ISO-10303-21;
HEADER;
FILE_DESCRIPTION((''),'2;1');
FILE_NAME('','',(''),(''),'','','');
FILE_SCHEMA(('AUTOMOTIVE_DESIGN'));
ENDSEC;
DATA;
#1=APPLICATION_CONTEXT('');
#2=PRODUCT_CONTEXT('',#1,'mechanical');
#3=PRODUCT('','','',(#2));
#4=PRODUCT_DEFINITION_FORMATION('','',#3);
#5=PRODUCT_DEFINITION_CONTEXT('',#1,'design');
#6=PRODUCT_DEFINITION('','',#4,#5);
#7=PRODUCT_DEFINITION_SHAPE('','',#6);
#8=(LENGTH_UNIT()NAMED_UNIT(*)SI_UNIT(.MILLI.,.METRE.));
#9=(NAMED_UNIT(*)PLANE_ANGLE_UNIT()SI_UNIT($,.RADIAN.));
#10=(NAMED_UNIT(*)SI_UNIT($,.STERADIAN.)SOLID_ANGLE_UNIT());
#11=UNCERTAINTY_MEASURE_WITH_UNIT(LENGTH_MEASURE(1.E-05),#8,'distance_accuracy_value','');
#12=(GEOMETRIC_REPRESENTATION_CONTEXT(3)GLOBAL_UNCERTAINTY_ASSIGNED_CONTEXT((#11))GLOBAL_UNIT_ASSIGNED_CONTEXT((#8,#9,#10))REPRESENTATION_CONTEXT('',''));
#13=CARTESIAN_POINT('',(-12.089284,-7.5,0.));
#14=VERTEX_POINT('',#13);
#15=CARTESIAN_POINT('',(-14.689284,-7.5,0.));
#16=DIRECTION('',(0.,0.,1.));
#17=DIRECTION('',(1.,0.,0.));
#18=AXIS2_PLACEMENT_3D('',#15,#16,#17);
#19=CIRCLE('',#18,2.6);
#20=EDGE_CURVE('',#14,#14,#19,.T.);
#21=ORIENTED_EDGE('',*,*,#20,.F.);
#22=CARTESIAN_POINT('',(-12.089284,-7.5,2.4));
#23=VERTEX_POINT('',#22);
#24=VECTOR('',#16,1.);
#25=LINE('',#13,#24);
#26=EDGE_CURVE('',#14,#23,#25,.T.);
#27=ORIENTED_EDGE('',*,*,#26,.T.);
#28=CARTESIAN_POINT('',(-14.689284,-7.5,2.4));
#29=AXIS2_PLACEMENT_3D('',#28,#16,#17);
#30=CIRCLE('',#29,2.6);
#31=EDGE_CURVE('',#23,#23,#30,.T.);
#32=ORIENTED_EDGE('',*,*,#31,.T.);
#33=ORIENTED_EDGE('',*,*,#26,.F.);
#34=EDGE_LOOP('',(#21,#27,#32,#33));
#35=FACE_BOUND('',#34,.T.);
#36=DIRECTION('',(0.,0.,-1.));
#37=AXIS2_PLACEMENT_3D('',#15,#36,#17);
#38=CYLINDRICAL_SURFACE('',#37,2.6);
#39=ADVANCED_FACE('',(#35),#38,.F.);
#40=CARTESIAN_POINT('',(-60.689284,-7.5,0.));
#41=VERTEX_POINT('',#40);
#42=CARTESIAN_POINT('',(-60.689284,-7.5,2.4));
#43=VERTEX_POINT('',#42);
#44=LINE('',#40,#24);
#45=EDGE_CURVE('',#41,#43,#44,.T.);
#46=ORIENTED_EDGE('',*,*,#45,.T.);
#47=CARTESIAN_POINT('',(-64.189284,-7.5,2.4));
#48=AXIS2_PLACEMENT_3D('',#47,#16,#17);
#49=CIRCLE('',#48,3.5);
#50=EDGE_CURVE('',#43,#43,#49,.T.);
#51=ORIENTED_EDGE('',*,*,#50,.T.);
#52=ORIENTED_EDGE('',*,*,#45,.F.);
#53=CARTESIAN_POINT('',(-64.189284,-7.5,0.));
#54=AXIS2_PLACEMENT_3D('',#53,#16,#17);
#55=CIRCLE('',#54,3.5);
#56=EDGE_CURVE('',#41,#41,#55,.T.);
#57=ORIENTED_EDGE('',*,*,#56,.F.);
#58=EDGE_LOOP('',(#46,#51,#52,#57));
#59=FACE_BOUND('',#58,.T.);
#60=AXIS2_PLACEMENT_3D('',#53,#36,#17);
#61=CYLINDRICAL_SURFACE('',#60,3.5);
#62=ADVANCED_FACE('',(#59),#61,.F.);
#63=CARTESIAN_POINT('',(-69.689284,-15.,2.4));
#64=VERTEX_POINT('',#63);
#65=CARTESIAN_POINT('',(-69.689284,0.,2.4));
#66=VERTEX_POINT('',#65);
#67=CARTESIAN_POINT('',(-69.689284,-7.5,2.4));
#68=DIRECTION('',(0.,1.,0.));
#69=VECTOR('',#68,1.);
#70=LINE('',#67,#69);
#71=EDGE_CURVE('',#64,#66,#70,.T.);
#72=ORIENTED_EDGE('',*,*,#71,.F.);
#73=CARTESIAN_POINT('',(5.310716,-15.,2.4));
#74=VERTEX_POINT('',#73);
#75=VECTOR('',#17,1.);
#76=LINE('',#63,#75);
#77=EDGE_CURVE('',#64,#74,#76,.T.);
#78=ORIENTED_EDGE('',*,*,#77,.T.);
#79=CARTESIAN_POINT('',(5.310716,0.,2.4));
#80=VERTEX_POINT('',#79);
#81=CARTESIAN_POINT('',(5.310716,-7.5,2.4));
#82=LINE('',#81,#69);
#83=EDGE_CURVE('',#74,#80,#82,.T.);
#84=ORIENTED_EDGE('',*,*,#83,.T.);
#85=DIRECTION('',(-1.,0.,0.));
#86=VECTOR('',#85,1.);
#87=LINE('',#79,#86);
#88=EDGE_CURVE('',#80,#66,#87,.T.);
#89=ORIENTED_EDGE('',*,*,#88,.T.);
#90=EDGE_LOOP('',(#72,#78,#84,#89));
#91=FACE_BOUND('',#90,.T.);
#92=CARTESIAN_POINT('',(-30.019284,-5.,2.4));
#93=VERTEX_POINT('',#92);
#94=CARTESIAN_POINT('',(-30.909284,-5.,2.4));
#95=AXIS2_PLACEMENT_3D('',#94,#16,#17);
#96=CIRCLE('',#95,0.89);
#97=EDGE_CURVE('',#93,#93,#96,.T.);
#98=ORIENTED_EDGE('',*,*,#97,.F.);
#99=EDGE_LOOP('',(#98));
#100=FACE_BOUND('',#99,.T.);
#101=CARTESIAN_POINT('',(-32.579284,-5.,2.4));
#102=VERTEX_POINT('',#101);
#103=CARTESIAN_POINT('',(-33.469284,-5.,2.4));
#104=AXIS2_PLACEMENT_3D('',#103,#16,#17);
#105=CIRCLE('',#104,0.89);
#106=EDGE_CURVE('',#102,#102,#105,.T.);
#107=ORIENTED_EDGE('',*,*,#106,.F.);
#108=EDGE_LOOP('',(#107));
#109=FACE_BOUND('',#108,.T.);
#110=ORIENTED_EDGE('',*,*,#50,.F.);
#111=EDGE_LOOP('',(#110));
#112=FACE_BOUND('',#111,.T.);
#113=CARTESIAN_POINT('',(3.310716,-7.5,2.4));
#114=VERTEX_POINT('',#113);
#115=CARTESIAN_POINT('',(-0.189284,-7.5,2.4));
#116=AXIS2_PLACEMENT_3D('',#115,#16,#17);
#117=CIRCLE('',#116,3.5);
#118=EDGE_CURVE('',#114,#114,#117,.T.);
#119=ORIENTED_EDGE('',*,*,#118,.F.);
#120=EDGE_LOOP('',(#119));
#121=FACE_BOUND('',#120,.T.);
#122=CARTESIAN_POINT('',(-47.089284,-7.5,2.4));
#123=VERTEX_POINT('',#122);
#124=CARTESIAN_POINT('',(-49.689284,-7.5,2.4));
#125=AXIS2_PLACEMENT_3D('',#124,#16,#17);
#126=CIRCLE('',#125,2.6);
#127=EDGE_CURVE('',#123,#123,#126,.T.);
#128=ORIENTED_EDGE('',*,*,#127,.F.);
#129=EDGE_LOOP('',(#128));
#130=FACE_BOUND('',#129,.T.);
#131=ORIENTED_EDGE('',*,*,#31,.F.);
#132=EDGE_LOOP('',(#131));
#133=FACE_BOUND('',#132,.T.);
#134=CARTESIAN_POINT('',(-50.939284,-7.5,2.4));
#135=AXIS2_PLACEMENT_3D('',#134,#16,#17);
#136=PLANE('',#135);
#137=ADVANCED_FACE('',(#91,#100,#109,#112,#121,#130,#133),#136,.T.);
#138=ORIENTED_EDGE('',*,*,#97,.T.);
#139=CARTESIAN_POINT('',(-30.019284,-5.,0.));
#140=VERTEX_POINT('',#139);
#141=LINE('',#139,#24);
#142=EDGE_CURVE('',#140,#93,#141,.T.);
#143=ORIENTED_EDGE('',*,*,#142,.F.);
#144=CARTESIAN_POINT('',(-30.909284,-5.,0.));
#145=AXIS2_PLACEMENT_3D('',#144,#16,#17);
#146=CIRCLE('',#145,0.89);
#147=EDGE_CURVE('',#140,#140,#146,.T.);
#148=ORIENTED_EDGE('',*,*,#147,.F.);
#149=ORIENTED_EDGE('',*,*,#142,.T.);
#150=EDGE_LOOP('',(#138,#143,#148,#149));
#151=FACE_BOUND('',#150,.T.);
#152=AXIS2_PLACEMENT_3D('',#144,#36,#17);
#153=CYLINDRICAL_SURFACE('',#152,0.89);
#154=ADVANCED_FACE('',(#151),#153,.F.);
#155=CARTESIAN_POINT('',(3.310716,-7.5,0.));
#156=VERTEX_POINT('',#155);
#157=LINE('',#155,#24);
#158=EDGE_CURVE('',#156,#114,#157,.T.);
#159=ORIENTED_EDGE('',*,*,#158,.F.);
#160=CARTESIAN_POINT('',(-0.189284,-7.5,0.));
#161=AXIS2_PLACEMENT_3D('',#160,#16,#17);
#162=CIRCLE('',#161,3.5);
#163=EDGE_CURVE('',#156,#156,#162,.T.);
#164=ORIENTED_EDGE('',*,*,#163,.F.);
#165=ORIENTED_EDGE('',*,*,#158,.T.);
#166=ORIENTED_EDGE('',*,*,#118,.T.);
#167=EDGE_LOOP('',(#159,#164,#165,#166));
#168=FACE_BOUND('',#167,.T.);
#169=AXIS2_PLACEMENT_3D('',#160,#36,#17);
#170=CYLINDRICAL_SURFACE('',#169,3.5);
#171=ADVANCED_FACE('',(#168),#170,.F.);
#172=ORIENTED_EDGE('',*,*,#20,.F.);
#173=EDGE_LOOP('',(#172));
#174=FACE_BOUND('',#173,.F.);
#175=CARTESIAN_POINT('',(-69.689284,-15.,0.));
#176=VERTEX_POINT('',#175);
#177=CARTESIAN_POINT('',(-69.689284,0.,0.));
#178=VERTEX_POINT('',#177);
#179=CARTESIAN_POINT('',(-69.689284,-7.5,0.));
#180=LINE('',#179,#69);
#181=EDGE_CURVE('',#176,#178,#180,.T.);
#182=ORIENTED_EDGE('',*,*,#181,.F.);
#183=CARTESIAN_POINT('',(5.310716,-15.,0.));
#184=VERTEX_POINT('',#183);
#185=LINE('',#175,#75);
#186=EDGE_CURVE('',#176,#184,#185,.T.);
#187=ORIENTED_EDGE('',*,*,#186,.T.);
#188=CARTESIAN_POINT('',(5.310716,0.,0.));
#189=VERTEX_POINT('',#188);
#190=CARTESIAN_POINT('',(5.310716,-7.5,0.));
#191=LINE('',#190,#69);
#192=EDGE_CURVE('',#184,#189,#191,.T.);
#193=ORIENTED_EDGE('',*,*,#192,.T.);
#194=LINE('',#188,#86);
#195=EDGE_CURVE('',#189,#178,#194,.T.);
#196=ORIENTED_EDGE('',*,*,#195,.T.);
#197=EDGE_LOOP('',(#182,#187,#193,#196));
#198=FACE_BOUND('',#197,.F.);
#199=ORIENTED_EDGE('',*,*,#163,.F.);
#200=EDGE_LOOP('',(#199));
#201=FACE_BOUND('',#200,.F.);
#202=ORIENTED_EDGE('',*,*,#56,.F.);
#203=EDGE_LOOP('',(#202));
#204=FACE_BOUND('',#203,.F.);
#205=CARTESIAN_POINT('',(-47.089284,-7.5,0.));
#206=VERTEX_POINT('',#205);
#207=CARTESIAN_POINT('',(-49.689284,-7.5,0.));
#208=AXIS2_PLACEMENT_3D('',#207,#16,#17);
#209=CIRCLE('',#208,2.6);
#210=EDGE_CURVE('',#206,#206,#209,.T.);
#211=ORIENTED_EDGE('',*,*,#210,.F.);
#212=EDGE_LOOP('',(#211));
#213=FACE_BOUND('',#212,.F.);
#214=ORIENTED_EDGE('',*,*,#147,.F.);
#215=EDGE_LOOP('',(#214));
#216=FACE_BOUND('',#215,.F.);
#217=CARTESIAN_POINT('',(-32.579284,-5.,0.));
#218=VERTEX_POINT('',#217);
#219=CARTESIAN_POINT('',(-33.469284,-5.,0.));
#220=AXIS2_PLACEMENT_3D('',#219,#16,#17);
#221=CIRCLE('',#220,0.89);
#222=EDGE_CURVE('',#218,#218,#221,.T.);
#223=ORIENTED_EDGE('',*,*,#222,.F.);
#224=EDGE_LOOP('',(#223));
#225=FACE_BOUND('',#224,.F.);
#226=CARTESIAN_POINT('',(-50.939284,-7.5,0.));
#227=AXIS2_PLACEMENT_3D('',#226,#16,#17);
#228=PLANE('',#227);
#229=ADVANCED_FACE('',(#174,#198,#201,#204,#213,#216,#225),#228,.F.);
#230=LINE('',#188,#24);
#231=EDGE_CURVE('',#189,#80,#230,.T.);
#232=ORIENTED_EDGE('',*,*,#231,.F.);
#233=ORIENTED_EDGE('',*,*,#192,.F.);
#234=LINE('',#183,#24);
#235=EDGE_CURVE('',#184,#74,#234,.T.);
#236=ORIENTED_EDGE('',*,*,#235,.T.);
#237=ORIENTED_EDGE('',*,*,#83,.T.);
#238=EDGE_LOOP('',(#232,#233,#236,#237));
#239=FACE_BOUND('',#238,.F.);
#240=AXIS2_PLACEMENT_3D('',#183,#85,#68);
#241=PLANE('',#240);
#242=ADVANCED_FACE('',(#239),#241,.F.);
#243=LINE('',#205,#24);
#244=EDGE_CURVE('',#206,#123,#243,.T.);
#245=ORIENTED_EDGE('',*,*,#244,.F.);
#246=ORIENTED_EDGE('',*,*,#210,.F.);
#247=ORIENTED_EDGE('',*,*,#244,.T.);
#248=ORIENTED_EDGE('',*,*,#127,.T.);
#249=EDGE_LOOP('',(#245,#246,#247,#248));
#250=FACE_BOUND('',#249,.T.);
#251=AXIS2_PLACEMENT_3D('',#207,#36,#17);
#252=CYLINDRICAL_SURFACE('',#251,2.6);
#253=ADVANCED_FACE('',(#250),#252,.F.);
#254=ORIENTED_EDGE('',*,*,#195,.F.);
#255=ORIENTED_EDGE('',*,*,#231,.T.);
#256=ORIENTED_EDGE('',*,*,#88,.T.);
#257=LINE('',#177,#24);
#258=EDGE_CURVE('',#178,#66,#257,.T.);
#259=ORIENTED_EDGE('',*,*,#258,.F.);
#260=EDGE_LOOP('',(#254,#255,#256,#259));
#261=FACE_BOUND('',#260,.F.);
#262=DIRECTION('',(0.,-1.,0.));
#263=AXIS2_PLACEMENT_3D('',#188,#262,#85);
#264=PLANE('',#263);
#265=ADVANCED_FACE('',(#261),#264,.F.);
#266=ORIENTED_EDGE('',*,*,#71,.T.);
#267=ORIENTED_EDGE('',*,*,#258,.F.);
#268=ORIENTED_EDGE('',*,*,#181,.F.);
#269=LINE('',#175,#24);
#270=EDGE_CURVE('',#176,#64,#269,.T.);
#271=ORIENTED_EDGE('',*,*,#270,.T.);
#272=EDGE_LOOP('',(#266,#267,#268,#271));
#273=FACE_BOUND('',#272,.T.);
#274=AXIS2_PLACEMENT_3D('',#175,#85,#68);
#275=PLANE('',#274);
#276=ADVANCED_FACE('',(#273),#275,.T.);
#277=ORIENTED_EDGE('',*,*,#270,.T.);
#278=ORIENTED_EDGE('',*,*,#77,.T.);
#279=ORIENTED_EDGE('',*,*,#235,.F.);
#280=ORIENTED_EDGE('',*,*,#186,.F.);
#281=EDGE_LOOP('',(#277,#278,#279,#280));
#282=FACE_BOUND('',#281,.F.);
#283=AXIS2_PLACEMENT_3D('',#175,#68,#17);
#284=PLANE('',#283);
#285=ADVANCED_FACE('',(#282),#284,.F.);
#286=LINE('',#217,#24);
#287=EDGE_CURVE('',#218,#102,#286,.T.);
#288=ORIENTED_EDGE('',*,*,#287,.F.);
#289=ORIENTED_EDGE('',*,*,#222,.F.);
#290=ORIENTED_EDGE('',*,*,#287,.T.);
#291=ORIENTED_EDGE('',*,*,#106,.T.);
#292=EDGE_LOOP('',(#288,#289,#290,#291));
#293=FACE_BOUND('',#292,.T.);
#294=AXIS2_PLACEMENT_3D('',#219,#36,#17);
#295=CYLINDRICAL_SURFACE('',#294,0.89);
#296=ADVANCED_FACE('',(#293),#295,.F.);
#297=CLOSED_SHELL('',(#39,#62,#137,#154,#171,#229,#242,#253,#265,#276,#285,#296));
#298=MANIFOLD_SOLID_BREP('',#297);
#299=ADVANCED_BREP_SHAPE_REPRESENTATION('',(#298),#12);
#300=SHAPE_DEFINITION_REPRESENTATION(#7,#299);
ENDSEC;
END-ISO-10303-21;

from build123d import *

# Parameters (mm, degrees)
F0_W     = 37.5
F0_H     = 15
F0_R     = 3.5
F0_R_2   = 2.6
F0_R_3   = 0.89
F1_DEPTH = 2.4


with BuildPart() as f1:
    # F0 (on Top) → F1 (new body)
    with BuildSketch(Plane.XY):
        with Locations((-50.939284, -7.5)):
            Rectangle(F0_W, F0_H)
        with Locations((-64.189284, -7.5)):
            Circle(F0_R, mode=Mode.SUBTRACT)
        with Locations((-49.689284, -7.5)):
            Circle(F0_R_2, mode=Mode.SUBTRACT)
        with Locations((-33.469284, -5)):
            Circle(F0_R_3, mode=Mode.SUBTRACT)
        with Locations((-13.439284, -7.5)):
            Rectangle(F0_W, F0_H)
        with Locations((-14.689284, -7.5)):
            Circle(F0_R_2, mode=Mode.SUBTRACT)
        with Locations((-30.909284, -5)):
            Circle(F0_R_3, mode=Mode.SUBTRACT)
        with Locations((-0.189284, -7.5)):
            Circle(F0_R, mode=Mode.SUBTRACT)
    extrude(amount=F1_DEPTH)


solid = f1.part
